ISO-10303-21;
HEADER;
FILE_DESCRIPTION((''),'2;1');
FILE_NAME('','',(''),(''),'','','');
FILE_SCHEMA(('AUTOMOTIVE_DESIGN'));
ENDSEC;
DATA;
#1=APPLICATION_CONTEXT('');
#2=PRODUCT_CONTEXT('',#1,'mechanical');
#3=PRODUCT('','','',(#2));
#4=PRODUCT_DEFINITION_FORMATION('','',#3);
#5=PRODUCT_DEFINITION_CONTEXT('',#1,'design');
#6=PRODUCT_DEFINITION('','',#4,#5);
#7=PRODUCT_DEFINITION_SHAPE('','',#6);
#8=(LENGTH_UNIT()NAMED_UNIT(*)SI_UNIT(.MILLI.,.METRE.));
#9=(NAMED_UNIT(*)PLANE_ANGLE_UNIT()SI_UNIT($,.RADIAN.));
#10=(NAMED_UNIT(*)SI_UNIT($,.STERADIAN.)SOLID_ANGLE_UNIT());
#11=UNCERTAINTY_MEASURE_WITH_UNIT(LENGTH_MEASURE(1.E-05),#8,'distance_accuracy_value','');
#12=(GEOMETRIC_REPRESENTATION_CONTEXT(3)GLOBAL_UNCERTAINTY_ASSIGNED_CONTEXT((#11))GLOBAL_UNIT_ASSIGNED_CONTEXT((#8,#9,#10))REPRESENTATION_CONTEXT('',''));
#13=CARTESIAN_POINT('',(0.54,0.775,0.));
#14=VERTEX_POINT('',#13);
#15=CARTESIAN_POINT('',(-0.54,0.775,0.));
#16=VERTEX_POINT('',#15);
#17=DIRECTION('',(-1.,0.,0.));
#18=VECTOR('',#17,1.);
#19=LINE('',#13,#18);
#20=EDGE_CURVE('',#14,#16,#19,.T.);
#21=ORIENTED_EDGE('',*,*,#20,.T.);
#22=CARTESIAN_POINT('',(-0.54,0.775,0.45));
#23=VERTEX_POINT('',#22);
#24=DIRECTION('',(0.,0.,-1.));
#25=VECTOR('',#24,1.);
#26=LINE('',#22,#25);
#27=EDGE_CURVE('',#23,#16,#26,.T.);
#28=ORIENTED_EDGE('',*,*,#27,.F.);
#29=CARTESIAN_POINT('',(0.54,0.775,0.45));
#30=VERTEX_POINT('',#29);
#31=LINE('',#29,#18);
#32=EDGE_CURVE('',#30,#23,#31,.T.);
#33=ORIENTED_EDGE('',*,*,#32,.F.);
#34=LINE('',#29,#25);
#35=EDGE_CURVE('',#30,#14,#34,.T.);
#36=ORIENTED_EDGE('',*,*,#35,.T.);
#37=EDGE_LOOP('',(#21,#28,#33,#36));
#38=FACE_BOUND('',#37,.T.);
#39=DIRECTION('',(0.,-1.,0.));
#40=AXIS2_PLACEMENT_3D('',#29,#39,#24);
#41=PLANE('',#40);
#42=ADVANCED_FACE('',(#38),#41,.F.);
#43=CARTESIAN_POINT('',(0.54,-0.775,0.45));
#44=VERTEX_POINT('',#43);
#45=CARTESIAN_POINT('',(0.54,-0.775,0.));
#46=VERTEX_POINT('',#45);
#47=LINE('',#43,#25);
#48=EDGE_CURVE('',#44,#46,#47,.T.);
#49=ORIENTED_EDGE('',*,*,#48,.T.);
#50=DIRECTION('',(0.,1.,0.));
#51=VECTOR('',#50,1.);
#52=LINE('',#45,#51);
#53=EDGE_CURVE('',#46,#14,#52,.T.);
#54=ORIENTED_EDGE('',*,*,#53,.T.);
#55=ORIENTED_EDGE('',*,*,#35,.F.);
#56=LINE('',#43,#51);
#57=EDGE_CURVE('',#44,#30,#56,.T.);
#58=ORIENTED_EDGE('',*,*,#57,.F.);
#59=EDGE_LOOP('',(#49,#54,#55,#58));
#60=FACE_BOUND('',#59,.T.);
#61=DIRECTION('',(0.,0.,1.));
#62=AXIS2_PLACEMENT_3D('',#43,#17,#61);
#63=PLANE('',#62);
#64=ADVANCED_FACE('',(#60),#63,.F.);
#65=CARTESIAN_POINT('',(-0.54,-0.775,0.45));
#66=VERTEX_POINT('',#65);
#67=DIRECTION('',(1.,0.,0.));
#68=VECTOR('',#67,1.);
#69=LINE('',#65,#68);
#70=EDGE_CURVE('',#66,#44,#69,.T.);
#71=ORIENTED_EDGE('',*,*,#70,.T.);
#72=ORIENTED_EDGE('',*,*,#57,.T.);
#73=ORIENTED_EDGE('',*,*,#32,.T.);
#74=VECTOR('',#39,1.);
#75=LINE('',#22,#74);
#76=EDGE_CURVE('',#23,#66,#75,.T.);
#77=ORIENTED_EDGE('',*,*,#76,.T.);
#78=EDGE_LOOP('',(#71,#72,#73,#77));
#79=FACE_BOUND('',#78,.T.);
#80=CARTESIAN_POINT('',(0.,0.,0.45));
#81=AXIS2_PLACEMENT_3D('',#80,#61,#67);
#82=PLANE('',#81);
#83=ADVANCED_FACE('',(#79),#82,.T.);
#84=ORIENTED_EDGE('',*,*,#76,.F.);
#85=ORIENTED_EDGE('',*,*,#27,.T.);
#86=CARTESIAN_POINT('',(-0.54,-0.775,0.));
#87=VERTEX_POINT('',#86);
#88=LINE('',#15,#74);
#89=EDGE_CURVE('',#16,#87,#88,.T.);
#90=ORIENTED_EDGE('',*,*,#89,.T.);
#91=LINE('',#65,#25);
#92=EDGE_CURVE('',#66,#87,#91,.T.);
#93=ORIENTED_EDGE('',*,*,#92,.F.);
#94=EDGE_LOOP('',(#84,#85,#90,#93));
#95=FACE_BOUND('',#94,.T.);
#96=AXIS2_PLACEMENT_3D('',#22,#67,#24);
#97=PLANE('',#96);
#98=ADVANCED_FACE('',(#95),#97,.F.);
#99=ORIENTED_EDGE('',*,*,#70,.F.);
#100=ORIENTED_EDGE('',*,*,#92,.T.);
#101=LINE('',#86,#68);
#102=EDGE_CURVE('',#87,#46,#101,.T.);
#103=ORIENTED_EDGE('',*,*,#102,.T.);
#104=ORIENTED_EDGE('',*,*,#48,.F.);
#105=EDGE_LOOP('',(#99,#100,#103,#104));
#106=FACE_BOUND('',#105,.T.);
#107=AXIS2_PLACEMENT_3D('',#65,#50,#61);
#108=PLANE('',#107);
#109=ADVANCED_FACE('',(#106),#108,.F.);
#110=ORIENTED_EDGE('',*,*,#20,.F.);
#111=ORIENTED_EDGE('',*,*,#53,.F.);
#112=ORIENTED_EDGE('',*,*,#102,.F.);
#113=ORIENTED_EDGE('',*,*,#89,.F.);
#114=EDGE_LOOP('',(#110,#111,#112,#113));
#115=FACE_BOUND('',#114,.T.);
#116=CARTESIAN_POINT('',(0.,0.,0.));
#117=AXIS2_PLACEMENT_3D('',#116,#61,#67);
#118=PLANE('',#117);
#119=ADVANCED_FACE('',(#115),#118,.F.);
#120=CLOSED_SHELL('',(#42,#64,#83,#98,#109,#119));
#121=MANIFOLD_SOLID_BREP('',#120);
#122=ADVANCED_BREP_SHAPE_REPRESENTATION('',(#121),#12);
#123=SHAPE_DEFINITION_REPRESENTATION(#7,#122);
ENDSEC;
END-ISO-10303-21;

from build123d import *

# Parameters (mm, degrees)
SKETCH_1_W              = 1.08
SKETCH_1_H              = 1.55
COMPONENT_OUTLINE_DEPTH = 0.45


with BuildPart() as part:
    # 草图1 → Component_Outline (new body)
    with BuildSketch(Plane.XY):
        Rectangle(SKETCH_1_W, SKETCH_1_H)
    extrude(amount=COMPONENT_OUTLINE_DEPTH)


solid = part.part
